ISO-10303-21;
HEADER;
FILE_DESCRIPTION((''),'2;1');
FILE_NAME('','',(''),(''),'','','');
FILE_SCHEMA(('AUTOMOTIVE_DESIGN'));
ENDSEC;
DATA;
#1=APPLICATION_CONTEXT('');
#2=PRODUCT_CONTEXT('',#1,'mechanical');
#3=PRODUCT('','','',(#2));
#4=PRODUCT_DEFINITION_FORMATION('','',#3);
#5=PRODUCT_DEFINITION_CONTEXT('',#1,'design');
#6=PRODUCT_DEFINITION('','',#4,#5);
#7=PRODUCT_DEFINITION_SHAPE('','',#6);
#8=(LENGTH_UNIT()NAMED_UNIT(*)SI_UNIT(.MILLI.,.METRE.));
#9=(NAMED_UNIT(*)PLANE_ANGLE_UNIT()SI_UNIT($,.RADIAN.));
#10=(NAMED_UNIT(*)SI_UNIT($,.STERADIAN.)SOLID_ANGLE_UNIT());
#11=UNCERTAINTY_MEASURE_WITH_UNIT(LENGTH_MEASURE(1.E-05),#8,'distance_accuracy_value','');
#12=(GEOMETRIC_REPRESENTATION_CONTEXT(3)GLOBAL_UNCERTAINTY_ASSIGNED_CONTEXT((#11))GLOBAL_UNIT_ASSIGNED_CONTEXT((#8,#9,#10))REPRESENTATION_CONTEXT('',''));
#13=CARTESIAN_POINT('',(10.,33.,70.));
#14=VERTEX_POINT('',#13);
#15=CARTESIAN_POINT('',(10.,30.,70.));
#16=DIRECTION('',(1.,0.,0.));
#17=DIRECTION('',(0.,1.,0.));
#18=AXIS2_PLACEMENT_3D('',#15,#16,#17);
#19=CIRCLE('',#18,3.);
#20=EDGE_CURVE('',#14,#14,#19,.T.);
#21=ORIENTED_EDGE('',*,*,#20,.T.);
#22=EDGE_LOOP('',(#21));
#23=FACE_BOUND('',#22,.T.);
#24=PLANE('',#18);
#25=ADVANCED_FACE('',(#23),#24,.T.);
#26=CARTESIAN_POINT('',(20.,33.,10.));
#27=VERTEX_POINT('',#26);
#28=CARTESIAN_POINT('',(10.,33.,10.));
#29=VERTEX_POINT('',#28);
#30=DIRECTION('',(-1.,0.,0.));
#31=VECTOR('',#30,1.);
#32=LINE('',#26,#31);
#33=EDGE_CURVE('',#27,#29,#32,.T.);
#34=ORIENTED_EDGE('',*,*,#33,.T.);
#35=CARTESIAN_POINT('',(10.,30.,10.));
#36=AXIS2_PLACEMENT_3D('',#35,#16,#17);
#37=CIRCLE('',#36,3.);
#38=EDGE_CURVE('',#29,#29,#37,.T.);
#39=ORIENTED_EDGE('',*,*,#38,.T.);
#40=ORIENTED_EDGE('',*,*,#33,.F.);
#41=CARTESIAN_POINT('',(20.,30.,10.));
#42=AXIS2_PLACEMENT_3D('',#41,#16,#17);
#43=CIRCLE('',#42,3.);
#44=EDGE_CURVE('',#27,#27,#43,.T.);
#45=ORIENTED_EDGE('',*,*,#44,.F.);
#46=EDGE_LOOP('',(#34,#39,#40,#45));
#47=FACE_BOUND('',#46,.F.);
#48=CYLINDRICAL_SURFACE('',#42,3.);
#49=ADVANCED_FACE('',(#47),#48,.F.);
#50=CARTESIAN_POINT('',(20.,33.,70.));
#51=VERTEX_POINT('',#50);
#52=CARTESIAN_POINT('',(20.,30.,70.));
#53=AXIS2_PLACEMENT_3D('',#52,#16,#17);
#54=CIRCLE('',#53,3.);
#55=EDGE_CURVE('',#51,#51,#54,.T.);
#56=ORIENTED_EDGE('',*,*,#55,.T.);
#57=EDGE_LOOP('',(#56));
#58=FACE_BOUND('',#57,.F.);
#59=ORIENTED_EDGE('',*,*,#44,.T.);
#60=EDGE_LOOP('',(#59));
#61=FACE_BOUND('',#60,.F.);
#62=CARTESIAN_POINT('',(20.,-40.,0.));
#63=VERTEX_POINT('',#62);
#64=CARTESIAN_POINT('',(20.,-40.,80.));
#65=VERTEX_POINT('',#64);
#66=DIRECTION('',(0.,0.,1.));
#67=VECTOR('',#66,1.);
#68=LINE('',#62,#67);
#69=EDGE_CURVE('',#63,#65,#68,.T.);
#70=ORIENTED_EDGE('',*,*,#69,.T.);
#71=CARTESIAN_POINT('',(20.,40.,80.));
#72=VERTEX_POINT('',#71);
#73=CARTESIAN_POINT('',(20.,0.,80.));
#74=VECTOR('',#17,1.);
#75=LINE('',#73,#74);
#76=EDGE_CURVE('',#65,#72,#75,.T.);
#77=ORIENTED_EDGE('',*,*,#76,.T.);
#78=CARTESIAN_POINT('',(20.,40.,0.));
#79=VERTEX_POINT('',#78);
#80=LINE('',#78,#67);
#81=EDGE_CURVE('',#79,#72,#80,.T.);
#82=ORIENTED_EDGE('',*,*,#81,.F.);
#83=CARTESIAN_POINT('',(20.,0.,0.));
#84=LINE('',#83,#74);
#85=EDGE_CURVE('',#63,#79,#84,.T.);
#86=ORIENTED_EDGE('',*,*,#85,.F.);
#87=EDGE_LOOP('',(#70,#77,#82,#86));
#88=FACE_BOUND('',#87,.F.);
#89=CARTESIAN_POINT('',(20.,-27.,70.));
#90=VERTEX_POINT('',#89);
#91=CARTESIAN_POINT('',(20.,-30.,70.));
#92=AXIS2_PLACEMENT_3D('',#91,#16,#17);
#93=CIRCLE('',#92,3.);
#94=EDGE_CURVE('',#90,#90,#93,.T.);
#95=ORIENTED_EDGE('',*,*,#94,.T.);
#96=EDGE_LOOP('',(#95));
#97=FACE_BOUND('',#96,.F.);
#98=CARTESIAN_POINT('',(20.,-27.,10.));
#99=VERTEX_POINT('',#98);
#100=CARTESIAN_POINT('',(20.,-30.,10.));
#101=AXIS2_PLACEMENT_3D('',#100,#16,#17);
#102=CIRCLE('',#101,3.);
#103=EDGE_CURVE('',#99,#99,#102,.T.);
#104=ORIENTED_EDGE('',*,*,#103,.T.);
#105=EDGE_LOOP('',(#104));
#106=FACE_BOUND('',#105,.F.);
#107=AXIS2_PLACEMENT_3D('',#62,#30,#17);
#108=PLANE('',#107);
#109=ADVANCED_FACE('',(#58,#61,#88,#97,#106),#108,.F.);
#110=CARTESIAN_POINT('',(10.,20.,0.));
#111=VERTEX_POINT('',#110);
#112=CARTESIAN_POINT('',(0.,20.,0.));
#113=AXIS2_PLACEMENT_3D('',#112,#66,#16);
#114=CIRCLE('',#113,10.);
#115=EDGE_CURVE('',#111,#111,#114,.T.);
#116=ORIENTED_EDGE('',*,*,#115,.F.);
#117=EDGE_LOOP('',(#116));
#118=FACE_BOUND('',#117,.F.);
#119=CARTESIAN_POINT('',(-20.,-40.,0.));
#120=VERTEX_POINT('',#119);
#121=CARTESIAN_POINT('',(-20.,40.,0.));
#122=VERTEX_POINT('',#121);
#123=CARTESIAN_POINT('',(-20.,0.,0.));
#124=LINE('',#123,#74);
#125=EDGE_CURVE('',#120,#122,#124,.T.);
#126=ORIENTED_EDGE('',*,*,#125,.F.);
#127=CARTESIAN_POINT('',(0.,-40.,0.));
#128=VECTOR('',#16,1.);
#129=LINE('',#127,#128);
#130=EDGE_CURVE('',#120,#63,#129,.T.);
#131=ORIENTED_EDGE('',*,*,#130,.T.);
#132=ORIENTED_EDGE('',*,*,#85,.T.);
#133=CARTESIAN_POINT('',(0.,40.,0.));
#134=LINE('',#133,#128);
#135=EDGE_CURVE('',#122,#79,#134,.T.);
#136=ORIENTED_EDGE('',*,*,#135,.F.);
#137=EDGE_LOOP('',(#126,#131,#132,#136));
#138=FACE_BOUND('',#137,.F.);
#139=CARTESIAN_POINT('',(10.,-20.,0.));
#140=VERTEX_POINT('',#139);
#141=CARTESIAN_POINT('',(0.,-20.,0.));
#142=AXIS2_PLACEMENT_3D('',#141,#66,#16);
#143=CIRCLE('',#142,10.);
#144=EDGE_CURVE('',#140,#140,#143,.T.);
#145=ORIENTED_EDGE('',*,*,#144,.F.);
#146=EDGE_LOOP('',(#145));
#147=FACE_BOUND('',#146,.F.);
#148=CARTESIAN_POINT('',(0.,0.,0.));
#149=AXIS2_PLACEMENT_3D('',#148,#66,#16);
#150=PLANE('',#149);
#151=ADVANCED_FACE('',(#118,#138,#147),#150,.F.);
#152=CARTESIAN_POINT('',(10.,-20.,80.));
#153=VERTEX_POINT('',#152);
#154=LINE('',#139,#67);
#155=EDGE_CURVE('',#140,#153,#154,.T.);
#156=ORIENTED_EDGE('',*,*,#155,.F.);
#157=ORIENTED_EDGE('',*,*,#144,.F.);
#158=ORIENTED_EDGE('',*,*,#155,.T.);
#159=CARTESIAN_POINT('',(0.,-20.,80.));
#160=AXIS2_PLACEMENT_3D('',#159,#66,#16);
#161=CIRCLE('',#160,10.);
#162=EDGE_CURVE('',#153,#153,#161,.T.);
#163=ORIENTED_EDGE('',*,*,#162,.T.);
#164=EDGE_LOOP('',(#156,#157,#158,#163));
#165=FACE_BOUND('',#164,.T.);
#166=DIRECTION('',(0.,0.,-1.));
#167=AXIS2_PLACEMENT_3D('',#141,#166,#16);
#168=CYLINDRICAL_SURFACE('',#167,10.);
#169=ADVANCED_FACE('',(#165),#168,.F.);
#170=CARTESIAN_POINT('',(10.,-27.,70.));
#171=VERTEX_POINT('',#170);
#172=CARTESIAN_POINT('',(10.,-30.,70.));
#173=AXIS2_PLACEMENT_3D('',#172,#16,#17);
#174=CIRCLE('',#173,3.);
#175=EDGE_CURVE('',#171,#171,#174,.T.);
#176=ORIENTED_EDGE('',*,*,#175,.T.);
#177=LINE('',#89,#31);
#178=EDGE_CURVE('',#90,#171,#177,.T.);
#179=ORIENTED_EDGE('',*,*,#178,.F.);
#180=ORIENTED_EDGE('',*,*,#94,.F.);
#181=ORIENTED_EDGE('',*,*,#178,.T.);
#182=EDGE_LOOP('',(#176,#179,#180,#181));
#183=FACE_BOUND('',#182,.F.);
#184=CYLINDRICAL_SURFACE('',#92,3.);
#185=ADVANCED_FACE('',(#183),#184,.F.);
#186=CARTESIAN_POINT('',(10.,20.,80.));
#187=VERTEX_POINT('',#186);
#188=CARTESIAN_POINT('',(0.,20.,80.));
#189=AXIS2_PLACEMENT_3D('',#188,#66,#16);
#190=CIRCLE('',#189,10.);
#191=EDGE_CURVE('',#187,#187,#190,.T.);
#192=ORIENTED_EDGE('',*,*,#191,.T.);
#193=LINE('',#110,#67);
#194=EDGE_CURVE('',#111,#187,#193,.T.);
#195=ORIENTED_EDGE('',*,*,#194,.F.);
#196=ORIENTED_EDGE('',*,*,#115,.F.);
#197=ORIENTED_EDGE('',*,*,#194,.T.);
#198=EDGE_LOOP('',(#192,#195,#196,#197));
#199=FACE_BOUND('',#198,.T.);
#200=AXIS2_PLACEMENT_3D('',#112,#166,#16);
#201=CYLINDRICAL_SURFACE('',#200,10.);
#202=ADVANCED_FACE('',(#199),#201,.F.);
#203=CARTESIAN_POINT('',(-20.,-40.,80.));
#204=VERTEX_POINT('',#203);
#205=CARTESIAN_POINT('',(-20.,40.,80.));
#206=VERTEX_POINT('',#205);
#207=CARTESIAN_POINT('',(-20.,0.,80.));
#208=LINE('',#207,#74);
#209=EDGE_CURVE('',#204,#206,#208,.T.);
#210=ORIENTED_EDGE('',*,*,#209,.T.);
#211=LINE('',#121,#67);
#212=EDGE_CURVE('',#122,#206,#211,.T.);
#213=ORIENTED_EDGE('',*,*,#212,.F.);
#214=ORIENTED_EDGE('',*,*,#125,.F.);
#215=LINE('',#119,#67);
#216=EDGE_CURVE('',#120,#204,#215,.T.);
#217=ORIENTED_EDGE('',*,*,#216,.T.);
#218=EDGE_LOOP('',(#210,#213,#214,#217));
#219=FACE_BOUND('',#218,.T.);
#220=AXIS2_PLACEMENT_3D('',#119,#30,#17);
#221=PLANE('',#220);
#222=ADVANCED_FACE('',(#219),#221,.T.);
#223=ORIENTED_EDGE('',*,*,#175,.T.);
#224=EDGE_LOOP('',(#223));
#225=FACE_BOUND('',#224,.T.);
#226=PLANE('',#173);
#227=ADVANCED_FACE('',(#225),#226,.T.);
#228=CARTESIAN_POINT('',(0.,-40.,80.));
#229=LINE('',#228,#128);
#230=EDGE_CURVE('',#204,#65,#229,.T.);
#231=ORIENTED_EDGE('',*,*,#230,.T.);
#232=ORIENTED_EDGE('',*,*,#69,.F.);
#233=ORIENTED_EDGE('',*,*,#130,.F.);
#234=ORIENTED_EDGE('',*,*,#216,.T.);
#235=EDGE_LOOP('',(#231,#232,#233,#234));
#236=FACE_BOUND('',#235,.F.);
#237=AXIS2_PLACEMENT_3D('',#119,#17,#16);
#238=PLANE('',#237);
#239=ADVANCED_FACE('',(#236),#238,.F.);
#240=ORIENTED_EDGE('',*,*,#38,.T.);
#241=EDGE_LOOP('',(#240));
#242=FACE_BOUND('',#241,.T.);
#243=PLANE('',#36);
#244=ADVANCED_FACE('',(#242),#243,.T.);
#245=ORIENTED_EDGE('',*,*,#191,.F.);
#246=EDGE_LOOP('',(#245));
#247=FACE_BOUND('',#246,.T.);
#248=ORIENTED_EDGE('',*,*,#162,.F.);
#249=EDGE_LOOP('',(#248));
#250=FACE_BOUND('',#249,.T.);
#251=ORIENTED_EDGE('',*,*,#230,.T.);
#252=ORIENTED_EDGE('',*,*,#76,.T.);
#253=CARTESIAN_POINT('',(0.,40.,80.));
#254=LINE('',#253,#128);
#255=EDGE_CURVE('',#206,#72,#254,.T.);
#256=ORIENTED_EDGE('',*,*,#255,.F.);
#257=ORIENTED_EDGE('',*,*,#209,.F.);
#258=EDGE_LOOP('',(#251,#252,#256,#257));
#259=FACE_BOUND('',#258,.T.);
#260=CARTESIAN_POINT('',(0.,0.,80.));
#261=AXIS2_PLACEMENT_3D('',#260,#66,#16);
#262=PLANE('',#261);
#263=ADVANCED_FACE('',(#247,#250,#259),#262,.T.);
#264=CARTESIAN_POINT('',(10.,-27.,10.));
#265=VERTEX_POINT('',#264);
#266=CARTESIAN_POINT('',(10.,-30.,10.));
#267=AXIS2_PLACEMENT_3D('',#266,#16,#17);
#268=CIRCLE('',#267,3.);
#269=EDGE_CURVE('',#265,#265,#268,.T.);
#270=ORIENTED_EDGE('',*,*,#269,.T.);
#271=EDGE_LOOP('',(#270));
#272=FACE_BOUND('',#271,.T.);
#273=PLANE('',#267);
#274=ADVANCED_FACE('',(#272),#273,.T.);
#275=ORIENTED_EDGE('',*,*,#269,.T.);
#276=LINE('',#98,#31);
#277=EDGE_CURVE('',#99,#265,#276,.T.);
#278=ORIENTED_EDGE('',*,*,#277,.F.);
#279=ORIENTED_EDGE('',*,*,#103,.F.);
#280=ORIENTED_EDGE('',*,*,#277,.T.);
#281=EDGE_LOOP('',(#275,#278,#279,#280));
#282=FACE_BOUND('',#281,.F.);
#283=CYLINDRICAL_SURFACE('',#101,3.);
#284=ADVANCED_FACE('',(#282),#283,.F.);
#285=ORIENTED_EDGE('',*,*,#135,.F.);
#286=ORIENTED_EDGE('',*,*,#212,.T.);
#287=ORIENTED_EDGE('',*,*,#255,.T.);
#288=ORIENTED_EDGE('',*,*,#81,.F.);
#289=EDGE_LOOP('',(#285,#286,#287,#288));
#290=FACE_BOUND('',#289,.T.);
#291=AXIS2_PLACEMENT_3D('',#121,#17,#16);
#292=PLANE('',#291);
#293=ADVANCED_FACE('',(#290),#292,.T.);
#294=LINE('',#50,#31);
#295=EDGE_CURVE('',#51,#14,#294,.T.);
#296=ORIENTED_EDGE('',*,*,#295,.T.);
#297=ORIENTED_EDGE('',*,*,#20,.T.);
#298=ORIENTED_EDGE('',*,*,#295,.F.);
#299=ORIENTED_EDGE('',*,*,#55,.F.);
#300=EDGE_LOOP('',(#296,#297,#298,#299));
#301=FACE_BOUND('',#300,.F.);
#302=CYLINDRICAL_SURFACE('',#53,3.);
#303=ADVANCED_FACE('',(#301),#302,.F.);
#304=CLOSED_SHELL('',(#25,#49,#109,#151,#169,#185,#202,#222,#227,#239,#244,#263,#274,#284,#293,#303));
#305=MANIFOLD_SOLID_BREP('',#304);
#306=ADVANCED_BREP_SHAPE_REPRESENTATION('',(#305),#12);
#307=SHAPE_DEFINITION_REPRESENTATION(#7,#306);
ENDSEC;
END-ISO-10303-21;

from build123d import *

# Parameters (mm, degrees)
F0_W     = 40
F0_H     = 80
F0_R     = 10
F1_DEPTH = 80
F2_R     = 3
F3_DEPTH = 10


with BuildPart() as f1:
    # F0 (on Top) → F1 (new body)
    with BuildSketch(Plane.XY):
        Rectangle(F0_W, F0_H)
        with Locations((0, -20)):
            Circle(F0_R, mode=Mode.SUBTRACT)
        with Locations((0, 20)):
            Circle(F0_R, mode=Mode.SUBTRACT)
    extrude(amount=F1_DEPTH)

    # F2 (on face) → F3 (cut)
    with BuildSketch(Plane.YZ.offset(20)):
        with Locations((30, 70)):
            Circle(F2_R)
        with Locations((-30, 70)):
            Circle(F2_R)
        with Locations((-30, 10)):
            Circle(F2_R)
        with Locations((30, 10)):
            Circle(F2_R)
    extrude(amount=-F3_DEPTH, mode=Mode.SUBTRACT)


solid = f1.part
